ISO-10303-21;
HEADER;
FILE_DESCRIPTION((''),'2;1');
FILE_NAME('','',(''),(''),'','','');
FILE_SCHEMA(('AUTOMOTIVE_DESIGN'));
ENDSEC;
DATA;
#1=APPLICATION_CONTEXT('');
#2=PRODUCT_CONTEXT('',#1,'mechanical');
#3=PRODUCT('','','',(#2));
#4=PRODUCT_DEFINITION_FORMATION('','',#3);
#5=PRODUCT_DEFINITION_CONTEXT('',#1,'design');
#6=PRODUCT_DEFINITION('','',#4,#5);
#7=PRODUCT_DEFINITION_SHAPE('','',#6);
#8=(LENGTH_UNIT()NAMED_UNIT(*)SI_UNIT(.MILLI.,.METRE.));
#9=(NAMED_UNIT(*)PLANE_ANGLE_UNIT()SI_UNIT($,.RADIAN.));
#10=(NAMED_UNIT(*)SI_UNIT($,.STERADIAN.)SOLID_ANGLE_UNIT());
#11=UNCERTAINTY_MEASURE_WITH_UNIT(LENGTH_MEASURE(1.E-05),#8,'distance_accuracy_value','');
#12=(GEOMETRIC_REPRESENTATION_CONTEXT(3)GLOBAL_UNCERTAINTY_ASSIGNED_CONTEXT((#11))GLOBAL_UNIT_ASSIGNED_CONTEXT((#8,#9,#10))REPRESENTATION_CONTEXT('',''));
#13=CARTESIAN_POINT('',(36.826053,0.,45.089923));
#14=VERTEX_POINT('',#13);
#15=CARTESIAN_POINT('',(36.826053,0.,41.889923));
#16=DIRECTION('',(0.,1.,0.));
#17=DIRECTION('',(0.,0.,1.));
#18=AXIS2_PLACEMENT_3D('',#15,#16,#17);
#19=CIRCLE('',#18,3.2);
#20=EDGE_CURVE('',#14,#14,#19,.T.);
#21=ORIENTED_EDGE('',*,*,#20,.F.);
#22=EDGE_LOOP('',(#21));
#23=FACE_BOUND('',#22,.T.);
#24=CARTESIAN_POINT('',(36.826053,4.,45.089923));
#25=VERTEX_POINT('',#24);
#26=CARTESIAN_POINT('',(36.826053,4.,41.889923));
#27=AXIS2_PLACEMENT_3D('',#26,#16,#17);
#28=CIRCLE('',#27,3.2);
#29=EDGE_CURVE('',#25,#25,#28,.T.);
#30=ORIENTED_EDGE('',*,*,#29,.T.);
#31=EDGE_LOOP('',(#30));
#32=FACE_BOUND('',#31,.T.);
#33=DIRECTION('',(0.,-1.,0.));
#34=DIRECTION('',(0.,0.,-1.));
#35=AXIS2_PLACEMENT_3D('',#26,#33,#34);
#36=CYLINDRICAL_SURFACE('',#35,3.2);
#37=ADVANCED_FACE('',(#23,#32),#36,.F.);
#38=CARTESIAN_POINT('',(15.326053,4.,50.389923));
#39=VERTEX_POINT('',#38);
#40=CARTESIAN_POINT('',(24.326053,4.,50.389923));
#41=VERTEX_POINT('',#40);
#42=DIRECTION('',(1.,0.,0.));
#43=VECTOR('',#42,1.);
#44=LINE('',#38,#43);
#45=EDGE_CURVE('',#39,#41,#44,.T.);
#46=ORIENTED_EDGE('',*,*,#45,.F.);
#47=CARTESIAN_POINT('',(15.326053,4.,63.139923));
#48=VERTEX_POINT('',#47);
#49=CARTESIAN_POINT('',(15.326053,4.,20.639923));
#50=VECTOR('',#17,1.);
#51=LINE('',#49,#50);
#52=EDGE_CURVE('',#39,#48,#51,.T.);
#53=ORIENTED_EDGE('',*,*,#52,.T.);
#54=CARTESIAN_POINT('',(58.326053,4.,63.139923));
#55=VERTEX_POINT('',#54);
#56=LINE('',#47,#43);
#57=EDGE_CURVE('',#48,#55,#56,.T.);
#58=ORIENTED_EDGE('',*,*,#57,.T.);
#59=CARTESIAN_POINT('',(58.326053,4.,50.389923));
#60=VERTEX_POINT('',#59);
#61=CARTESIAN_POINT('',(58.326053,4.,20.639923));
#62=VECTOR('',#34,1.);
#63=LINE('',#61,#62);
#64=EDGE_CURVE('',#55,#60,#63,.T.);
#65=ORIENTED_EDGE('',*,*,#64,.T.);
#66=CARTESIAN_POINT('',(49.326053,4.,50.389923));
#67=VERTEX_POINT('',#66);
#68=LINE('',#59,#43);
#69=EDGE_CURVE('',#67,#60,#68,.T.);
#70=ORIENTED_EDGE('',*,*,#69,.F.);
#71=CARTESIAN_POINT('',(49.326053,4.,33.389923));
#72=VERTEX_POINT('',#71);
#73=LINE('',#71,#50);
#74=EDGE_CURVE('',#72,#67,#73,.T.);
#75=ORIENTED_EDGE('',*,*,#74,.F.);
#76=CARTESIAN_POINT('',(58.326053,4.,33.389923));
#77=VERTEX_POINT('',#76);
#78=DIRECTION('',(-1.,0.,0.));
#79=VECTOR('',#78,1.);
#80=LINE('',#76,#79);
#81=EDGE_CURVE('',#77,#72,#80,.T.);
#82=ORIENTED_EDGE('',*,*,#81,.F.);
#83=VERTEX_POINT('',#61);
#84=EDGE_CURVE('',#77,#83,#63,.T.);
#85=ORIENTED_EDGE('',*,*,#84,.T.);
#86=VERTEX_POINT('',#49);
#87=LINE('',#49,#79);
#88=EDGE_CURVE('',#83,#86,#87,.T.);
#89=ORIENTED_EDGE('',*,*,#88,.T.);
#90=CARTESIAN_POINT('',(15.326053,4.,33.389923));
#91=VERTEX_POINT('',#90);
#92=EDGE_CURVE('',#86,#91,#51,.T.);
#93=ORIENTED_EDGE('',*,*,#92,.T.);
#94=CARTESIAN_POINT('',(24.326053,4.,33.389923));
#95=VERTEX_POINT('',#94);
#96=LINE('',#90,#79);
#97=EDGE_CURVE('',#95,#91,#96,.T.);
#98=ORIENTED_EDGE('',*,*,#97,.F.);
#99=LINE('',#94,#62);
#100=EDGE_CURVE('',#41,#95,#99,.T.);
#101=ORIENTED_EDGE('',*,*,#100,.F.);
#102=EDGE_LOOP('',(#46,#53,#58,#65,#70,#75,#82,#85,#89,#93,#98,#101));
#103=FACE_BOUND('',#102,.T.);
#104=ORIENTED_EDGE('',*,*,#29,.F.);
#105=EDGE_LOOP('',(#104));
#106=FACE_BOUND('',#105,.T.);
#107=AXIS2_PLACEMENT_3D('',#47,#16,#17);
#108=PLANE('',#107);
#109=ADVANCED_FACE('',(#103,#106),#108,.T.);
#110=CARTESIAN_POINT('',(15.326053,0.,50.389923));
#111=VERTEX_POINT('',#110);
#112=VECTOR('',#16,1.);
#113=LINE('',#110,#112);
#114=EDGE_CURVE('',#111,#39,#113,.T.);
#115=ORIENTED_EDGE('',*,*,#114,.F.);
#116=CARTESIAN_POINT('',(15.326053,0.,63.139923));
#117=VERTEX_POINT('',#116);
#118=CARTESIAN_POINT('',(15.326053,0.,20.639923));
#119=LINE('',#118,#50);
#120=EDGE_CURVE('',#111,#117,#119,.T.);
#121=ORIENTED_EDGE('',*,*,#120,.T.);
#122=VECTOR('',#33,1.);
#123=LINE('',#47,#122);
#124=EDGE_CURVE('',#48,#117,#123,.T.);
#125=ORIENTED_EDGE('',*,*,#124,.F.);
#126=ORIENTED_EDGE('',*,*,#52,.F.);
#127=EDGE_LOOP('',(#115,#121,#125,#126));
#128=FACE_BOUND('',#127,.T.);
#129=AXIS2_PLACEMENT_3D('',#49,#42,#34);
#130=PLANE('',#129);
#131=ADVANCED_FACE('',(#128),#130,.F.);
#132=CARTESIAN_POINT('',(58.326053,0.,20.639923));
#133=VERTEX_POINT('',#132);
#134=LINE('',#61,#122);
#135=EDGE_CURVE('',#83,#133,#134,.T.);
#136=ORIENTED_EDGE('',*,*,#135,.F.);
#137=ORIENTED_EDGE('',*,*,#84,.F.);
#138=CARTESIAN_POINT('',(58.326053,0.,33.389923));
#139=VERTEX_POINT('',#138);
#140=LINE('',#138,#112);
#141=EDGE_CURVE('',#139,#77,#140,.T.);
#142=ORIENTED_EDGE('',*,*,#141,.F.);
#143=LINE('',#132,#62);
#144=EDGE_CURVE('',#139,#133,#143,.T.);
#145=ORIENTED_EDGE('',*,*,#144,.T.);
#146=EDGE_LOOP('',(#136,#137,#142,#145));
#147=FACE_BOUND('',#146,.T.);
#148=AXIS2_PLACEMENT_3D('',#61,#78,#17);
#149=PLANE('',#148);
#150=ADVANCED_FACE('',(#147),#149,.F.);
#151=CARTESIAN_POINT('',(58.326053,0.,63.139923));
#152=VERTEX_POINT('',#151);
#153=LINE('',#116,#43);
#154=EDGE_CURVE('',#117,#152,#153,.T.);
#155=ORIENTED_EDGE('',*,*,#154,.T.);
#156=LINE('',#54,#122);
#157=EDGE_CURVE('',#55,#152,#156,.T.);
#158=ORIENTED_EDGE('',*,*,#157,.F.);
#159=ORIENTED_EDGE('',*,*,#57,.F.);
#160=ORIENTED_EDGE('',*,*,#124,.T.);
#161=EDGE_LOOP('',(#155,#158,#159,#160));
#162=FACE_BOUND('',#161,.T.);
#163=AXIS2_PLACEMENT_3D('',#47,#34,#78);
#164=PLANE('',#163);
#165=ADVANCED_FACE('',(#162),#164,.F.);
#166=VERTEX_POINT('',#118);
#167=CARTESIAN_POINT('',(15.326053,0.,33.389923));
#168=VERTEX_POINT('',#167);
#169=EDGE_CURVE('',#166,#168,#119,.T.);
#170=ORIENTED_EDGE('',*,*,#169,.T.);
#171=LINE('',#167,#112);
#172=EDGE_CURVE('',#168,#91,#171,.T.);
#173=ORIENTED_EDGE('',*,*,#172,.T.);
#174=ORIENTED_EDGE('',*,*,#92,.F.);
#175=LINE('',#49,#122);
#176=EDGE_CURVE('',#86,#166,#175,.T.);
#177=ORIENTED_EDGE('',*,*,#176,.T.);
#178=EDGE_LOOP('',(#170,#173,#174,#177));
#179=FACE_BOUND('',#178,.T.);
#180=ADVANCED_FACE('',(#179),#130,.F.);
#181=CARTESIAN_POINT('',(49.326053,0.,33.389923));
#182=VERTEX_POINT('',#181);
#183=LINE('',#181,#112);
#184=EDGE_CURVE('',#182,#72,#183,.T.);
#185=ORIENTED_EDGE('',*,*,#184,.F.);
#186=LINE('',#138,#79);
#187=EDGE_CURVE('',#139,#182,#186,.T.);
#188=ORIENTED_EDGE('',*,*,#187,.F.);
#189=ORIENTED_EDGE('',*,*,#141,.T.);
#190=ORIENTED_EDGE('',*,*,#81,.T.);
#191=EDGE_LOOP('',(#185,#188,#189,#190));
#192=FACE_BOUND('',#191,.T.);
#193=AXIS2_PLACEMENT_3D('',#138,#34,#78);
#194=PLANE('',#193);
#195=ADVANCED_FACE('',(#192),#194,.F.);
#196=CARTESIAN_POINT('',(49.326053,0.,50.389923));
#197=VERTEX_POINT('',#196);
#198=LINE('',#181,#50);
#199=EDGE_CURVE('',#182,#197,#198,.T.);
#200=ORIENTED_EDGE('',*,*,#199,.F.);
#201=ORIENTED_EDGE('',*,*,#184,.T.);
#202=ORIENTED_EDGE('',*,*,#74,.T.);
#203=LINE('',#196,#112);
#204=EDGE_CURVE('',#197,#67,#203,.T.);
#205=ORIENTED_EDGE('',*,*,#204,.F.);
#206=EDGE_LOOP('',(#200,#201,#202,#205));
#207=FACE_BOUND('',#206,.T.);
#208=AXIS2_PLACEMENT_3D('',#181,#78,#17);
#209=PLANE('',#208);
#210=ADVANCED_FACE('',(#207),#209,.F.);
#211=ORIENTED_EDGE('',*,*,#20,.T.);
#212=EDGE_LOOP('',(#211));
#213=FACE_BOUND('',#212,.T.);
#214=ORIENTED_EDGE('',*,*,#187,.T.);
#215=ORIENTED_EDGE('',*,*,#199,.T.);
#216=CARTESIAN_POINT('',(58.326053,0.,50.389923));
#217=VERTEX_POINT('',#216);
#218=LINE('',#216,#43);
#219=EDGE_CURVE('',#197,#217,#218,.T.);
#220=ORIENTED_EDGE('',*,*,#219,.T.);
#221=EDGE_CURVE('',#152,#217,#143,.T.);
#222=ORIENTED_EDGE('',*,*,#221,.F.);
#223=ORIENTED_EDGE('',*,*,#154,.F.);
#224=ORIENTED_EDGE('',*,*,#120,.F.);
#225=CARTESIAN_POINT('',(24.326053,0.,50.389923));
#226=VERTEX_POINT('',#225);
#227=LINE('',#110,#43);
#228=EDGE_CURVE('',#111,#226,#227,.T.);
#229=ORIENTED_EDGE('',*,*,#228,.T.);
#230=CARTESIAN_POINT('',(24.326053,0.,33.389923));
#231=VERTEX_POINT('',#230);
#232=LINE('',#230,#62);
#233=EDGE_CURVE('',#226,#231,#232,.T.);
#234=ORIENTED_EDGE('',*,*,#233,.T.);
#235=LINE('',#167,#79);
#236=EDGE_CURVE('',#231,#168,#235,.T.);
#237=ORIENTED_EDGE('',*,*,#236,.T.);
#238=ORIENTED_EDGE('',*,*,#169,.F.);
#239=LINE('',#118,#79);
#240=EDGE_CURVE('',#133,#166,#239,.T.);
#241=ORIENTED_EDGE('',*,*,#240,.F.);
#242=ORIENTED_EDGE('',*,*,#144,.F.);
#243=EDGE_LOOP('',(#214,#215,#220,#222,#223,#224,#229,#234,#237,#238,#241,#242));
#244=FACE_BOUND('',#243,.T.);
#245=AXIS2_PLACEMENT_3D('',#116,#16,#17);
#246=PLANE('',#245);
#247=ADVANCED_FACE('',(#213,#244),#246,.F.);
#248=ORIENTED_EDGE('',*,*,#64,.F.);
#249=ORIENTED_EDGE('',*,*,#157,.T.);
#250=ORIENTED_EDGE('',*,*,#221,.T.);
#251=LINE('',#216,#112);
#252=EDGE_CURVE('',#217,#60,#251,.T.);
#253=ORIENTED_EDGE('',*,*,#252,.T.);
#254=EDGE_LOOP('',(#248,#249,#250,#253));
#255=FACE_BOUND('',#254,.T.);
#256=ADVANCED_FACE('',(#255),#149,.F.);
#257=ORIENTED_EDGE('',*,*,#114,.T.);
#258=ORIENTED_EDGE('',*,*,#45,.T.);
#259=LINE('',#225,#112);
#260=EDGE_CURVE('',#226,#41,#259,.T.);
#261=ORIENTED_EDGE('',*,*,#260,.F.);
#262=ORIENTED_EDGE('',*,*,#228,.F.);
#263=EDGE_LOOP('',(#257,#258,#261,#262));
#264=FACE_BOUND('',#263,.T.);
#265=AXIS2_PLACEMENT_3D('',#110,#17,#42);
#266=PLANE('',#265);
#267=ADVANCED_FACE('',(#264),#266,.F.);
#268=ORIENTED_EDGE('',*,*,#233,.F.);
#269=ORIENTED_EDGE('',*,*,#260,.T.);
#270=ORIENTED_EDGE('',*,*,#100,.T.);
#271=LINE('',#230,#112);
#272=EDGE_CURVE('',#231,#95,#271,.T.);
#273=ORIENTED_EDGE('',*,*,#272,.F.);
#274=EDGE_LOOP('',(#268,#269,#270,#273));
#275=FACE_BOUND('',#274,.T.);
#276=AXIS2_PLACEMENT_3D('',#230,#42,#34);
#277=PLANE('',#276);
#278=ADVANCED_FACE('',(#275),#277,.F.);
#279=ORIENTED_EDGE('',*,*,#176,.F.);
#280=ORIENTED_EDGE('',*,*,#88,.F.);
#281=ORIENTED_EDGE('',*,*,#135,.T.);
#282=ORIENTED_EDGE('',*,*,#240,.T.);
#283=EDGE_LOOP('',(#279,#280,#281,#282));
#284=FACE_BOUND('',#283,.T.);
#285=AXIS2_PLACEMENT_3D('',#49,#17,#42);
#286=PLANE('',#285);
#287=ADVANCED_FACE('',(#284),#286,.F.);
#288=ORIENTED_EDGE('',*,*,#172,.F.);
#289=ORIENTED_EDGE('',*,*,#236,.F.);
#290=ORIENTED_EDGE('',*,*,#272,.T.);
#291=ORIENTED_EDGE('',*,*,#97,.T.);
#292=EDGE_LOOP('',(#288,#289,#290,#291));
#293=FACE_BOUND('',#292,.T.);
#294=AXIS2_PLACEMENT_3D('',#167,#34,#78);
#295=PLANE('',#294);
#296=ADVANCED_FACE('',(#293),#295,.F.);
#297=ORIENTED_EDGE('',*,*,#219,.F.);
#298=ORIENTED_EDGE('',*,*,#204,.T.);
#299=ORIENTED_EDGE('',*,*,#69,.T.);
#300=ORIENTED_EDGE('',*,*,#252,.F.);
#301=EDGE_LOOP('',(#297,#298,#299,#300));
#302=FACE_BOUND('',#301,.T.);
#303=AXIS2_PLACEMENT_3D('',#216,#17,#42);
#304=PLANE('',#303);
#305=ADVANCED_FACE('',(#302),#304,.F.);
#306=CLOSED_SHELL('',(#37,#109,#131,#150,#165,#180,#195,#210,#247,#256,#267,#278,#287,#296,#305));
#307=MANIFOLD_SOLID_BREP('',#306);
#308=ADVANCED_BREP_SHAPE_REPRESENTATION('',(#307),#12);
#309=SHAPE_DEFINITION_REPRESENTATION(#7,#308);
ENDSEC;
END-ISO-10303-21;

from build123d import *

# Parameters (mm, degrees)
SKETCH_1_W          = 43
SKETCH_1_H          = 42.5
SKETCH_1_R          = 3.2
EXTRUDE_1_DEPTH     = 4
SKETCH_2_W          = 9
SKETCH_2_H          = 17
CUT_EXTRUDE_1_DEPTH = 4


with BuildPart() as part:
    # Эскиз1 → Бобышка-Вытянуть1 (new body)
    with BuildSketch(Plane(origin=(0, 0, 0), x_dir=(1, 0, 0), z_dir=(0, 1, 0))):
        with Locations((36.826052882, -41.88992321)):
            Rectangle(SKETCH_1_W, SKETCH_1_H)
        with Locations(Location((36.826052882, -41.88992321, 0), (0, 0, 270))):
            Circle(SKETCH_1_R, mode=Mode.SUBTRACT)
    extrude(amount=EXTRUDE_1_DEPTH)

    # Эскиз2 → Вырез-Вытянуть1 (cut)
    with BuildSketch(Plane(origin=(0, 4, 0), x_dir=(1, 0, 0), z_dir=(0, 1, 0))):
        with Locations((19.826052882, -41.88992321)):
            Rectangle(SKETCH_2_W, SKETCH_2_H)
        with Locations((53.826052882, -41.88992321)):
            Rectangle(SKETCH_2_W, SKETCH_2_H)
    extrude(amount=-CUT_EXTRUDE_1_DEPTH, mode=Mode.SUBTRACT)


solid = part.part
